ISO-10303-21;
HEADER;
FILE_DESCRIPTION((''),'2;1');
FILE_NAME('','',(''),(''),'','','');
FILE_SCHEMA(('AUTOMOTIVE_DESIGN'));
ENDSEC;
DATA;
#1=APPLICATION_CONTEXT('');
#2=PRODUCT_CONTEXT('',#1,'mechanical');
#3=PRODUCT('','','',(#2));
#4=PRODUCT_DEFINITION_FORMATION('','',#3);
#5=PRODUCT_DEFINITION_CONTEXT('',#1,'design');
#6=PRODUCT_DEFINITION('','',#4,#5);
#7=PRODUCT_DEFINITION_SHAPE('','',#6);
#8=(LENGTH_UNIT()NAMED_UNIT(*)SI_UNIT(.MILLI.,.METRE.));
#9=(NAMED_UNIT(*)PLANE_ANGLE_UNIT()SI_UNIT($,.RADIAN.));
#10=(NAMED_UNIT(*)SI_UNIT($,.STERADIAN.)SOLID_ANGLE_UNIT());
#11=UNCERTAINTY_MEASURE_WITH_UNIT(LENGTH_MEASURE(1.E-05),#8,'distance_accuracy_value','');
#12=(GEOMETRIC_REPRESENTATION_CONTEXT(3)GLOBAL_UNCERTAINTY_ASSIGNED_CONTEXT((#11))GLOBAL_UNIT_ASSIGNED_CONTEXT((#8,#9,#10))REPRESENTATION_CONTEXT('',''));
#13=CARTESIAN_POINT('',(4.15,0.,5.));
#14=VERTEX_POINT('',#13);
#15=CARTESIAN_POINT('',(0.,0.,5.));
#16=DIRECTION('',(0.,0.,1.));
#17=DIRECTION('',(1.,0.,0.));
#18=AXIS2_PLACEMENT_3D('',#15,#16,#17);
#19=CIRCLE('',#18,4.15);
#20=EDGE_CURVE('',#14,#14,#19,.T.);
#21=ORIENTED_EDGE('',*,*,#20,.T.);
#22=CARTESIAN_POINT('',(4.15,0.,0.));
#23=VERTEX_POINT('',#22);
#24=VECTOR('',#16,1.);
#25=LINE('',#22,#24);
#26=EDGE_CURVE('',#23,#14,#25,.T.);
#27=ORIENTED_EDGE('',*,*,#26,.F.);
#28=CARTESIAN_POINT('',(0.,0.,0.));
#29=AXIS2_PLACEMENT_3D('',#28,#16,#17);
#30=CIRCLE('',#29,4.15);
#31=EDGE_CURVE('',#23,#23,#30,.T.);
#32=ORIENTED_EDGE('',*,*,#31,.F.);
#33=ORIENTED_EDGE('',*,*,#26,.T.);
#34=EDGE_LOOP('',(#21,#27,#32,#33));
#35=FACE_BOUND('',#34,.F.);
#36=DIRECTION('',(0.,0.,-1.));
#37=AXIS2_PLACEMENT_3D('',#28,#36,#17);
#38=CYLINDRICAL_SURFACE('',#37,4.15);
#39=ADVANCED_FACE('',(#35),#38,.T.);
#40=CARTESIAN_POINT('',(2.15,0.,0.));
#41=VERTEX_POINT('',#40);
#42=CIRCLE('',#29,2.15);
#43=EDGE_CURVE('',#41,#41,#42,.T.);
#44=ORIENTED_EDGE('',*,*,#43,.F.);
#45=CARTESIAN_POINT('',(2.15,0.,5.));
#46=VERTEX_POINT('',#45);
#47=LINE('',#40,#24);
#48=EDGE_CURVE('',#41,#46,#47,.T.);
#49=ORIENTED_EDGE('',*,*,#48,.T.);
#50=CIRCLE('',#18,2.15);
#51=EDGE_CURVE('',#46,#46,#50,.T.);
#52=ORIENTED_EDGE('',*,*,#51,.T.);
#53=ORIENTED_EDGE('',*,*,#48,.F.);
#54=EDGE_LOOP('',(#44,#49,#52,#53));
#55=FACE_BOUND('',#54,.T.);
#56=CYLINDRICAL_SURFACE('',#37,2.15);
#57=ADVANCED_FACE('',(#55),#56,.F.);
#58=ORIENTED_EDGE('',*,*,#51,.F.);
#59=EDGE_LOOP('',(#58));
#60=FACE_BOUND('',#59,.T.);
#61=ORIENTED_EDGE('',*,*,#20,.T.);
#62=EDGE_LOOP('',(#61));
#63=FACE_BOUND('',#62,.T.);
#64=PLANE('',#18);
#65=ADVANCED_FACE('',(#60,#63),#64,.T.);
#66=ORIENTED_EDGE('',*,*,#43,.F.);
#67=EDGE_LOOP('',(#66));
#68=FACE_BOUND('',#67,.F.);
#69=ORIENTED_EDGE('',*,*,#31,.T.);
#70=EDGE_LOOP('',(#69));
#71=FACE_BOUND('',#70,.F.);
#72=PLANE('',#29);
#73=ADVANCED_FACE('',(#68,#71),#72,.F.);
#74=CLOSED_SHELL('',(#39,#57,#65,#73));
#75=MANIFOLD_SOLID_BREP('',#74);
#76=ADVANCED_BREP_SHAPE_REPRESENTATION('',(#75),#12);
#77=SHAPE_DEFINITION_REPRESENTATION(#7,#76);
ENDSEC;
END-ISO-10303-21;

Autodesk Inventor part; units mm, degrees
ref_plane "YZ Plane" through (0, 0, 0) normal (1, 0, 0) x (0, 1, 0)
ref_plane "XZ Plane" through (0, 0, 0) normal (0, 1, 0) x (-1, 0, 0)
ref_plane "XY Plane" through (0, 0, 0) normal (0, 0, 1) x (1, 0, 0)
sketch "Szkic1" plane through (0, 0, 0) normal (0, 0, 1) x (1, 0, 0)
  circle A0 centre (0, 0) radius 2.15
  circle A1 centre (0, 0) radius 4.15
  dimension "d0" = 4.3
  dimension "d1" = 2
extrude "Wyciągnięcie proste1" add sketch "Szkic1" along normal blind 5
properties part number "3DP_ABS_Chamber_Fan_Cover_Spacer"
